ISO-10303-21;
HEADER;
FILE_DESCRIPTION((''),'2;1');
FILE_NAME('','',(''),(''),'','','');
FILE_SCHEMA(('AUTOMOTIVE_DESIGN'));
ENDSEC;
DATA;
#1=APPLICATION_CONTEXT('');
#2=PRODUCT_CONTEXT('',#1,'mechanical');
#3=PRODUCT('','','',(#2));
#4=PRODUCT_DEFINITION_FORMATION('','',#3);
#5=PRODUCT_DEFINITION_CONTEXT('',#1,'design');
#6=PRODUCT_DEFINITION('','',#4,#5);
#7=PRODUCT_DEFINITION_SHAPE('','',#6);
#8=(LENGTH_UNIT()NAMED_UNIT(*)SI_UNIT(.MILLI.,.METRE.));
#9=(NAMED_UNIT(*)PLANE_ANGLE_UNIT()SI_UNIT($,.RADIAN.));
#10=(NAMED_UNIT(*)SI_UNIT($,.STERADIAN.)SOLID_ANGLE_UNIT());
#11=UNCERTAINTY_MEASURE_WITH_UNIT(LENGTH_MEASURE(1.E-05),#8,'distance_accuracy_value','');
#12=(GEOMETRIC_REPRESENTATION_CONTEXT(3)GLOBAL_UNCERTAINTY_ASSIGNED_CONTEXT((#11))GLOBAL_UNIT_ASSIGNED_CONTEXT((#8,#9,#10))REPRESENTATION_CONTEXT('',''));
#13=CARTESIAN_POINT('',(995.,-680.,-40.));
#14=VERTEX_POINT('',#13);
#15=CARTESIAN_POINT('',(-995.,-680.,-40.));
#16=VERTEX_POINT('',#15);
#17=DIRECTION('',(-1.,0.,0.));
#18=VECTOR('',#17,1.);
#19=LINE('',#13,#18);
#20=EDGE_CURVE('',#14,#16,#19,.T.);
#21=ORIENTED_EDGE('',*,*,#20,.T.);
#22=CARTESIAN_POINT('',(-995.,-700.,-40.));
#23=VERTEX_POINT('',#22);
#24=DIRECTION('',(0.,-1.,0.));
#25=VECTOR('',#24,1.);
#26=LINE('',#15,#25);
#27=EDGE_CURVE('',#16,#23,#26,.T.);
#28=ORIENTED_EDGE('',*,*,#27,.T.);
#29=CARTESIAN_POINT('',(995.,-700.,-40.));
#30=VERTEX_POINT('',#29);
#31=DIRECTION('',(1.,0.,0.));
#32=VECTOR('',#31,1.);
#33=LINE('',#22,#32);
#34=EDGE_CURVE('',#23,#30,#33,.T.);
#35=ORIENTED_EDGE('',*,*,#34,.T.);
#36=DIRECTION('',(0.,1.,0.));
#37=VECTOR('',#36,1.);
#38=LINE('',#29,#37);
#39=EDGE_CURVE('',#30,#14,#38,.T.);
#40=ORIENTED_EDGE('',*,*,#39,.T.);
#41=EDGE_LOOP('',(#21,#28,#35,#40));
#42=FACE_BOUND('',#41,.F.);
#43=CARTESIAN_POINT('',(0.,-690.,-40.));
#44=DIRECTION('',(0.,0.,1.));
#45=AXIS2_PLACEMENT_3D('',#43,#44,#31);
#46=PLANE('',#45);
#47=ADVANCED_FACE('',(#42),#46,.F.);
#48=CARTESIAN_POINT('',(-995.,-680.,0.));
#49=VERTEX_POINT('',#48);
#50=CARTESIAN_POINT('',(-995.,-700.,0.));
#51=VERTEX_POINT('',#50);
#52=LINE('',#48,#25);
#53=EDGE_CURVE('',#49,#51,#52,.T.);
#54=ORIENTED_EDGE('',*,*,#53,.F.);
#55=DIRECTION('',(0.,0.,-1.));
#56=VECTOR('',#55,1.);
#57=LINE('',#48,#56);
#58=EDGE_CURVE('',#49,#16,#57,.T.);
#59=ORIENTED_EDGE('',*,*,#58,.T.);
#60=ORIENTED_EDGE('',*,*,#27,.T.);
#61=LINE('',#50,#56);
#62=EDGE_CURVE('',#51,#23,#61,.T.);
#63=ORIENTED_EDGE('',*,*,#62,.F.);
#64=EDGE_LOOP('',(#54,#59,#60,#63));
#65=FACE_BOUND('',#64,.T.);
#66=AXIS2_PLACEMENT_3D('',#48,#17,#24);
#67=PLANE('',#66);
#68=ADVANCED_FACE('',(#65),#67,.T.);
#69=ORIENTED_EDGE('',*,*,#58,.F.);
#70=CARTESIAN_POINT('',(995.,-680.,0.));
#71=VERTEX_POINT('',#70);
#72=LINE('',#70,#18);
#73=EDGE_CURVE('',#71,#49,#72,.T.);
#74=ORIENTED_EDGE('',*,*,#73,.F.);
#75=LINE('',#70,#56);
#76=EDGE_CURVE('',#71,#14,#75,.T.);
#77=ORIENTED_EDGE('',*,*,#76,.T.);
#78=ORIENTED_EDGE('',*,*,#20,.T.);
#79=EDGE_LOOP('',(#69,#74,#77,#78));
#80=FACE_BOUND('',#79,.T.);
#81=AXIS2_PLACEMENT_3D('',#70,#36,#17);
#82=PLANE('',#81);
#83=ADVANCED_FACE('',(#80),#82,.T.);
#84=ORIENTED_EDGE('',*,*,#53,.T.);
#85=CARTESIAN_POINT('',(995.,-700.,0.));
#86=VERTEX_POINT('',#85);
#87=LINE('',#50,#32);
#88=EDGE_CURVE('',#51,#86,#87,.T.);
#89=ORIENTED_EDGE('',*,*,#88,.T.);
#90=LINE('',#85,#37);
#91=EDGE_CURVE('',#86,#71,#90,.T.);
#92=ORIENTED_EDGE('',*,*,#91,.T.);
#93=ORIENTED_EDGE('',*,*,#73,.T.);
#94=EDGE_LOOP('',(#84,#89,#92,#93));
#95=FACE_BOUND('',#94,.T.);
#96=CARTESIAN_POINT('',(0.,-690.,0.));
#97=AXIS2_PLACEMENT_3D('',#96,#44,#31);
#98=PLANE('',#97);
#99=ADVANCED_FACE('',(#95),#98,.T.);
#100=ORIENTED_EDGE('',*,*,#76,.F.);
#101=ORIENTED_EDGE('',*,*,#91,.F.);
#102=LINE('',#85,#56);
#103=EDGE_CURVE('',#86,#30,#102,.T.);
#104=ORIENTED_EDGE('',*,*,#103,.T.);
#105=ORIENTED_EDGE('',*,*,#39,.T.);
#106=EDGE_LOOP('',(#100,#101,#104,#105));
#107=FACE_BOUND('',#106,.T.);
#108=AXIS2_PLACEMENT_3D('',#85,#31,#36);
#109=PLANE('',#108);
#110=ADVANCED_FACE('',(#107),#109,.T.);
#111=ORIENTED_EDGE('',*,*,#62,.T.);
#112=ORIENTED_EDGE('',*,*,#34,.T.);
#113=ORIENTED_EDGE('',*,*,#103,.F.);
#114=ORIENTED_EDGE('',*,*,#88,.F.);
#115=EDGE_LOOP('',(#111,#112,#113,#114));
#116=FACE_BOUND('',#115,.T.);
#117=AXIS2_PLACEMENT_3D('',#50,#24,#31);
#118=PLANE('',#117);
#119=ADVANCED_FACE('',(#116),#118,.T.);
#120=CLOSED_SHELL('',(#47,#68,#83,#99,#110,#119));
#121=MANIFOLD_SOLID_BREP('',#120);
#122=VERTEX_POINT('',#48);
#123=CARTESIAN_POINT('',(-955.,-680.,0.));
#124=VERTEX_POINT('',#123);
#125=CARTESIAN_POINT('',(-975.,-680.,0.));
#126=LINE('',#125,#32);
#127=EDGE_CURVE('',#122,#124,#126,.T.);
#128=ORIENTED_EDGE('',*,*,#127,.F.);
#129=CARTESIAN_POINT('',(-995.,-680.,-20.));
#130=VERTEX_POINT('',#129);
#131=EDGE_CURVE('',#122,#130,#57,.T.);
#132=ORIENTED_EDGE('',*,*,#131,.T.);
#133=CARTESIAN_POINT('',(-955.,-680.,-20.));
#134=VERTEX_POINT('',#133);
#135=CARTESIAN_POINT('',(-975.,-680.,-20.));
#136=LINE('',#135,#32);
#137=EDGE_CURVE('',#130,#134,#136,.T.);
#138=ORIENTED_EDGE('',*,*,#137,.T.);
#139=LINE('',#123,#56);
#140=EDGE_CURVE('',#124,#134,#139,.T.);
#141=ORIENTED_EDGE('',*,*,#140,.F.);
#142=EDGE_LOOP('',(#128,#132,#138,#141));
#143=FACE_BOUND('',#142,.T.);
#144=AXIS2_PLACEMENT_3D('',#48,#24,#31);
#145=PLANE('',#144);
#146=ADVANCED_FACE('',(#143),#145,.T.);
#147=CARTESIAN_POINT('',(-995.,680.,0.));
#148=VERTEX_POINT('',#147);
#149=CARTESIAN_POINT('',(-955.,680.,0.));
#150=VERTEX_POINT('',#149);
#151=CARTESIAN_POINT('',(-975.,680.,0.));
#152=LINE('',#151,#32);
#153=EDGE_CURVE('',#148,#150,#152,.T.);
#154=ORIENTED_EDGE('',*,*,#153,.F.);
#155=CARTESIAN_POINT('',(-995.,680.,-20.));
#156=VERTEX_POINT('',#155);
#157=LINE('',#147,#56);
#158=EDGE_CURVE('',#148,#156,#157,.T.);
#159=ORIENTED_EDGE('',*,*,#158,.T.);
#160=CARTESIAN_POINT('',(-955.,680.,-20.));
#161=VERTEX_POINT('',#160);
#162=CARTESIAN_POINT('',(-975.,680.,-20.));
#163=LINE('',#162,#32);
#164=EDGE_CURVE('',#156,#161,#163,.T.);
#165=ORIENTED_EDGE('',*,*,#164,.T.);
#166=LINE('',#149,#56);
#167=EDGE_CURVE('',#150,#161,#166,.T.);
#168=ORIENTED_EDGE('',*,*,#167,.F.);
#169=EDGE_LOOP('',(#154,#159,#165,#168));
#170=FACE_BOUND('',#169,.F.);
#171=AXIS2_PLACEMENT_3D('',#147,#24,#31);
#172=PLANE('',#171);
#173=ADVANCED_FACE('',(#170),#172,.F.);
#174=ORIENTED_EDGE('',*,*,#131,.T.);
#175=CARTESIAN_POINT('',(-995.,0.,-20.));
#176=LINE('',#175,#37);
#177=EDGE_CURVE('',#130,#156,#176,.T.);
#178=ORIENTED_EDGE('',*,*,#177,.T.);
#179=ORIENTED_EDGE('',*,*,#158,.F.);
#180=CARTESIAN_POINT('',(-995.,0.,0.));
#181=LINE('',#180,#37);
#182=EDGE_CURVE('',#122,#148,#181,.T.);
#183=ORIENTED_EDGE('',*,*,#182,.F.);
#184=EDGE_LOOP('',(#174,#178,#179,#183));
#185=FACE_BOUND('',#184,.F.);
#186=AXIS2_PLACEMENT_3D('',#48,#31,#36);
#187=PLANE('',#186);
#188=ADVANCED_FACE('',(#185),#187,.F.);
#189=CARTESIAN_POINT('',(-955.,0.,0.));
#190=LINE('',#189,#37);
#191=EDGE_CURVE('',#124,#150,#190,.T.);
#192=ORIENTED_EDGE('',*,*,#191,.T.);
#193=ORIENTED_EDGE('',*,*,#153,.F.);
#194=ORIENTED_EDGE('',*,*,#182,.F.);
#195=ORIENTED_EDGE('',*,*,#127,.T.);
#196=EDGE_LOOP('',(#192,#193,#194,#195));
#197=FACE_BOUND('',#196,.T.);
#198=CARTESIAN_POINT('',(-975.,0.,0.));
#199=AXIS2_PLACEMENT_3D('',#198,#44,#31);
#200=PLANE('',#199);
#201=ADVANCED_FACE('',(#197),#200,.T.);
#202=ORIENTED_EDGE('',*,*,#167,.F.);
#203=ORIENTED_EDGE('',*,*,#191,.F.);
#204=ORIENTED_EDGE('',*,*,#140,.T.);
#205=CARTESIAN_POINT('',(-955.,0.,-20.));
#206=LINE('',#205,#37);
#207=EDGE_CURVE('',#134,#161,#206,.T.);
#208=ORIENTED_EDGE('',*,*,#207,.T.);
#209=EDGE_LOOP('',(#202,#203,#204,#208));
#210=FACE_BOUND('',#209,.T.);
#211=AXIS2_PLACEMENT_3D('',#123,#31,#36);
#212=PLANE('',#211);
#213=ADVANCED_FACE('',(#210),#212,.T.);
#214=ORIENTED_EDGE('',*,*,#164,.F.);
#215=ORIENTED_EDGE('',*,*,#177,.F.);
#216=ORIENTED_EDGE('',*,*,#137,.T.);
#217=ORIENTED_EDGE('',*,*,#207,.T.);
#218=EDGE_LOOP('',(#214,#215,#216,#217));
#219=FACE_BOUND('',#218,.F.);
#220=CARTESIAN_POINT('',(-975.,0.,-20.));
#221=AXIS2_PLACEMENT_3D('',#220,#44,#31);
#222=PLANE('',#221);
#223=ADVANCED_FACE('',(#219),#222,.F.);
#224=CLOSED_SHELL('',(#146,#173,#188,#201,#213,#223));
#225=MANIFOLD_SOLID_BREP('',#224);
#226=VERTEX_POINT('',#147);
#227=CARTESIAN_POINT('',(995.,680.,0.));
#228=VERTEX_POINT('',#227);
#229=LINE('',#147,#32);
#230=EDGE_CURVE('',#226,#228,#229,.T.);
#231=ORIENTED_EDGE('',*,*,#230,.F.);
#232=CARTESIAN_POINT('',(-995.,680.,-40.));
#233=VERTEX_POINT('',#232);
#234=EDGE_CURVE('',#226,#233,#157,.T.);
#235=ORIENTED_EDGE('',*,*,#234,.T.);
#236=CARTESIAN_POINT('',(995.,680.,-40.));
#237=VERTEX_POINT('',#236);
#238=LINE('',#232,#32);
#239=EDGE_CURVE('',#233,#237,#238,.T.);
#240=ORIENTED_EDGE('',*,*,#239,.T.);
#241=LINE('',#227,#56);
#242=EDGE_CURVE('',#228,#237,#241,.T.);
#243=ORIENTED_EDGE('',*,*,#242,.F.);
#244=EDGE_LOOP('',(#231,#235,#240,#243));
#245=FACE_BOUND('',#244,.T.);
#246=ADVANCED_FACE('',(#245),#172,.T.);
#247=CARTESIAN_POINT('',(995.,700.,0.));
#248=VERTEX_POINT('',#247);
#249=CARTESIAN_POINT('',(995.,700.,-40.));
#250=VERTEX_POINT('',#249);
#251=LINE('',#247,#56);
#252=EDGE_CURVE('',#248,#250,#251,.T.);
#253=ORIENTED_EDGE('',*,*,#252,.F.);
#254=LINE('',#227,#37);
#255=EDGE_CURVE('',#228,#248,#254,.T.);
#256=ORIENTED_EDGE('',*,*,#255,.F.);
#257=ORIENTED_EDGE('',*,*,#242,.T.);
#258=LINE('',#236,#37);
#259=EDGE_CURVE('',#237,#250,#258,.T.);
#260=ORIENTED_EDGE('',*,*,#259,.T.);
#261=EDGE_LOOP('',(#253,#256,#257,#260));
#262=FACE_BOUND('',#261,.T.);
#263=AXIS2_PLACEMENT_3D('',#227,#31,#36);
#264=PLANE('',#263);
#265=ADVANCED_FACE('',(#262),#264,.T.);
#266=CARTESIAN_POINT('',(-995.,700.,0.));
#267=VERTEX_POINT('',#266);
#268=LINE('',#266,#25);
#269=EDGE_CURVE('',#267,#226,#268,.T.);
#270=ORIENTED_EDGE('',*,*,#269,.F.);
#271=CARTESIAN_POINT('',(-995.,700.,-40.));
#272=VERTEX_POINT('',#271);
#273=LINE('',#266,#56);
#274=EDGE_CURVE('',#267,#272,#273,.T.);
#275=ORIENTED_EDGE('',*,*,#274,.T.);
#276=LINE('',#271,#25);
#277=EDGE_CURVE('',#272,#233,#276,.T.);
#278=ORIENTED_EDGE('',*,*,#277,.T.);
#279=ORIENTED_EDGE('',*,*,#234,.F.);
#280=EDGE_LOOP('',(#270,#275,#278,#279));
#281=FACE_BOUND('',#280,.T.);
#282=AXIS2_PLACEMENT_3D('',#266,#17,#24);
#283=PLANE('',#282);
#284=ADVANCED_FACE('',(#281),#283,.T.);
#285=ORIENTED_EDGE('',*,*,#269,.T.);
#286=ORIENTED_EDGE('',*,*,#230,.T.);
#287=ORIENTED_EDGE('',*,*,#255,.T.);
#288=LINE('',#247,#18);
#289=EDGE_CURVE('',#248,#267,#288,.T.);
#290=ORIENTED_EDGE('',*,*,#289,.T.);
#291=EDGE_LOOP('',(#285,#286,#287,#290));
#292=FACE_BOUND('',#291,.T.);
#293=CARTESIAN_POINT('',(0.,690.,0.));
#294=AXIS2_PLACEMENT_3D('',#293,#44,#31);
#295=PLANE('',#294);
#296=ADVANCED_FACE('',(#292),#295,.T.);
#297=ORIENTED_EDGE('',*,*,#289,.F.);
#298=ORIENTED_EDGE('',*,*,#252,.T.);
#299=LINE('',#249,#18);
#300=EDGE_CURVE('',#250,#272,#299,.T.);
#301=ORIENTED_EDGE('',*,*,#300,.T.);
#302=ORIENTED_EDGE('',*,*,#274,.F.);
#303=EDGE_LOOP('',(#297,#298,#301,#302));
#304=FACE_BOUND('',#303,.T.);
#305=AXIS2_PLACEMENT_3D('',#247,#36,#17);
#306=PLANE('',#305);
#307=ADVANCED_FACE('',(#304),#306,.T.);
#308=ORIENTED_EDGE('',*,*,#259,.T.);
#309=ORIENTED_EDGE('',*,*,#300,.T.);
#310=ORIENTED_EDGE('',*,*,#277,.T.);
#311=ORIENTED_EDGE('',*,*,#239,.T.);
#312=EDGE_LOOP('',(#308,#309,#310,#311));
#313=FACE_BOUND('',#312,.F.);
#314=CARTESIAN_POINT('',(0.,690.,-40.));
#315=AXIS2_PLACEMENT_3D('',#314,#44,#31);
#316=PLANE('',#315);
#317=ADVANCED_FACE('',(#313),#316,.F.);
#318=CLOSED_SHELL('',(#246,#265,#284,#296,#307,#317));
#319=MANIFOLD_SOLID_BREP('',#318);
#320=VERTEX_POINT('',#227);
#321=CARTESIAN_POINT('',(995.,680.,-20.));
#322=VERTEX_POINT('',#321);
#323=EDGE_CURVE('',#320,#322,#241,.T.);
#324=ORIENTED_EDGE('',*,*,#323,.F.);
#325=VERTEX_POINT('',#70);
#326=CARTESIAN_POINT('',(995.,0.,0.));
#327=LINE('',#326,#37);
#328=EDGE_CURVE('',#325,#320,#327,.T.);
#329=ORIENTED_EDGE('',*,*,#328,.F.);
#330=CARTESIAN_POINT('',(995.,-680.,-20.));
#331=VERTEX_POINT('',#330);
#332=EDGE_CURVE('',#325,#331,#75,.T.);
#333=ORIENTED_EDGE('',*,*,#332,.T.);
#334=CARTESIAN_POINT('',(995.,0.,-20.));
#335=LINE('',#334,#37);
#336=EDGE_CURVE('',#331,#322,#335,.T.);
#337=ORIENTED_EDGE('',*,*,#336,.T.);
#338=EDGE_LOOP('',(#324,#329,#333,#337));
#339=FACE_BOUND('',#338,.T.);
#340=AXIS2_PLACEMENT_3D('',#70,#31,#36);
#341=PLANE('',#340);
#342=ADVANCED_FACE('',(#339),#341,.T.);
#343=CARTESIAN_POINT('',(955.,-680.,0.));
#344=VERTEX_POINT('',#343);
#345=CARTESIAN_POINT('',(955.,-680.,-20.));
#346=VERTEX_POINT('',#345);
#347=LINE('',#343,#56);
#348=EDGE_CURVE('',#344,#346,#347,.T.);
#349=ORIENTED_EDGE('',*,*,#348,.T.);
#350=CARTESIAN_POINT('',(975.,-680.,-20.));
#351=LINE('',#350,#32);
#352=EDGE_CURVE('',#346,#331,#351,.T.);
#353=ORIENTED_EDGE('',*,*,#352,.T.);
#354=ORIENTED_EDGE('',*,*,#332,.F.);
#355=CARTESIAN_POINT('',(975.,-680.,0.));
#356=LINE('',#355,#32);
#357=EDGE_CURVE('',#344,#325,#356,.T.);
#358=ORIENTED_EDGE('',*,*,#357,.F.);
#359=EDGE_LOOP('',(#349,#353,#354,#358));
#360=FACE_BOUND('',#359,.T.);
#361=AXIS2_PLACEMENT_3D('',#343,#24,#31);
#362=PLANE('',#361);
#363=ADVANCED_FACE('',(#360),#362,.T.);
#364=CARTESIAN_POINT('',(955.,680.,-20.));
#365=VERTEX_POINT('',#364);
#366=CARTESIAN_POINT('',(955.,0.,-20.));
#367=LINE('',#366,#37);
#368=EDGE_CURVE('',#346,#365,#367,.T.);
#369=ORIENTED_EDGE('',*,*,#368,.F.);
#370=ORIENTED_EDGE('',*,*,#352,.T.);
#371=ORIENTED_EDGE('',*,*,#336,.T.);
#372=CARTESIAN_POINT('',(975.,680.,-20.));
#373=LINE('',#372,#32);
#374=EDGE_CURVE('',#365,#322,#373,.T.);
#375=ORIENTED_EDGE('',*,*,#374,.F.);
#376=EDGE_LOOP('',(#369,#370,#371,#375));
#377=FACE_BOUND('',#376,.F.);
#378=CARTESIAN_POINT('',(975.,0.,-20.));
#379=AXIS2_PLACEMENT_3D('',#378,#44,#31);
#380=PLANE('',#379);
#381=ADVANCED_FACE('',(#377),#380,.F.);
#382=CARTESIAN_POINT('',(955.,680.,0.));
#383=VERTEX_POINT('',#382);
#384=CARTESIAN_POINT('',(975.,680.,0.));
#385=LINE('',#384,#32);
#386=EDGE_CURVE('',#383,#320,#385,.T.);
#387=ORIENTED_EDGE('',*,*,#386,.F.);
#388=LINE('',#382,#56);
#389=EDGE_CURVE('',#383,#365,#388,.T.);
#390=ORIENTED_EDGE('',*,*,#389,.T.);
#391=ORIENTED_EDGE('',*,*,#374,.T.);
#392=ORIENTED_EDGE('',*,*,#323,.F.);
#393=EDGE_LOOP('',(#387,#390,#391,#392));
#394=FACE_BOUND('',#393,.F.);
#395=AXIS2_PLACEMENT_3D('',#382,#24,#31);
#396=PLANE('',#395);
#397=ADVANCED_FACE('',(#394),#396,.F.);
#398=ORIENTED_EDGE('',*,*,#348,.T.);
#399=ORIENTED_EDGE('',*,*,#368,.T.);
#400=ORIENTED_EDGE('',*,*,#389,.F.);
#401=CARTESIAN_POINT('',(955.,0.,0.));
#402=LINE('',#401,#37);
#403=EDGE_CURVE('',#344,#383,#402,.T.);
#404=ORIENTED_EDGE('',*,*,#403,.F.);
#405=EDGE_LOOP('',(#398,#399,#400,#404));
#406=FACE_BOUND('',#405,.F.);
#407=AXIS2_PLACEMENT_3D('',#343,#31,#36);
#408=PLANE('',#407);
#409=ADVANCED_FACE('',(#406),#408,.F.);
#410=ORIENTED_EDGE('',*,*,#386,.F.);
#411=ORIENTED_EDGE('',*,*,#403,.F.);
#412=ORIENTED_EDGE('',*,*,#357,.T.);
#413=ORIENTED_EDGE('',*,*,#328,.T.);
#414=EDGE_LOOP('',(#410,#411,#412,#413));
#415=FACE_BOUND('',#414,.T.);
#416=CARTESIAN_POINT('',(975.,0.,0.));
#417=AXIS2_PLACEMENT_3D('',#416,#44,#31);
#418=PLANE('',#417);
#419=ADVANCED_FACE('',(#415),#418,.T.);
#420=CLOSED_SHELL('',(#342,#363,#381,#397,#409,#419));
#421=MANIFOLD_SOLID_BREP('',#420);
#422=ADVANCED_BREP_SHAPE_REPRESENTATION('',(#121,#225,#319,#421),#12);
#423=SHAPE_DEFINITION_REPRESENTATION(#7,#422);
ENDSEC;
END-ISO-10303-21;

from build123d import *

# Parameters (mm, degrees)
F1_DEPTH = 40
F0_W     = 40
F0_H     = 1360
F2_DEPTH = 20


with BuildPart() as f1:
    # F0 (on Top) → F1 (new body)
    with BuildSketch(Plane.XY):
        Polygon((995, 680), (995, 700), (-995, 700), (-995, 680), (-955, 680), (955, 680), align=None)
        Polygon((995, -700), (995, -680), (955, -680), (-955, -680), (-995, -680), (-995, -700), align=None)
    extrude(amount=-F1_DEPTH)


with BuildPart() as f2:
    # F0 (on Top) → F2 (new body)
    with BuildSketch(Plane.XY):
        with Locations((975, 0)):
            Rectangle(F0_W, F0_H)
        with Locations((-975, 0)):
            Rectangle(F0_W, F0_H)
    extrude(amount=-F2_DEPTH)


solid = Compound([f1.part, f2.part])
